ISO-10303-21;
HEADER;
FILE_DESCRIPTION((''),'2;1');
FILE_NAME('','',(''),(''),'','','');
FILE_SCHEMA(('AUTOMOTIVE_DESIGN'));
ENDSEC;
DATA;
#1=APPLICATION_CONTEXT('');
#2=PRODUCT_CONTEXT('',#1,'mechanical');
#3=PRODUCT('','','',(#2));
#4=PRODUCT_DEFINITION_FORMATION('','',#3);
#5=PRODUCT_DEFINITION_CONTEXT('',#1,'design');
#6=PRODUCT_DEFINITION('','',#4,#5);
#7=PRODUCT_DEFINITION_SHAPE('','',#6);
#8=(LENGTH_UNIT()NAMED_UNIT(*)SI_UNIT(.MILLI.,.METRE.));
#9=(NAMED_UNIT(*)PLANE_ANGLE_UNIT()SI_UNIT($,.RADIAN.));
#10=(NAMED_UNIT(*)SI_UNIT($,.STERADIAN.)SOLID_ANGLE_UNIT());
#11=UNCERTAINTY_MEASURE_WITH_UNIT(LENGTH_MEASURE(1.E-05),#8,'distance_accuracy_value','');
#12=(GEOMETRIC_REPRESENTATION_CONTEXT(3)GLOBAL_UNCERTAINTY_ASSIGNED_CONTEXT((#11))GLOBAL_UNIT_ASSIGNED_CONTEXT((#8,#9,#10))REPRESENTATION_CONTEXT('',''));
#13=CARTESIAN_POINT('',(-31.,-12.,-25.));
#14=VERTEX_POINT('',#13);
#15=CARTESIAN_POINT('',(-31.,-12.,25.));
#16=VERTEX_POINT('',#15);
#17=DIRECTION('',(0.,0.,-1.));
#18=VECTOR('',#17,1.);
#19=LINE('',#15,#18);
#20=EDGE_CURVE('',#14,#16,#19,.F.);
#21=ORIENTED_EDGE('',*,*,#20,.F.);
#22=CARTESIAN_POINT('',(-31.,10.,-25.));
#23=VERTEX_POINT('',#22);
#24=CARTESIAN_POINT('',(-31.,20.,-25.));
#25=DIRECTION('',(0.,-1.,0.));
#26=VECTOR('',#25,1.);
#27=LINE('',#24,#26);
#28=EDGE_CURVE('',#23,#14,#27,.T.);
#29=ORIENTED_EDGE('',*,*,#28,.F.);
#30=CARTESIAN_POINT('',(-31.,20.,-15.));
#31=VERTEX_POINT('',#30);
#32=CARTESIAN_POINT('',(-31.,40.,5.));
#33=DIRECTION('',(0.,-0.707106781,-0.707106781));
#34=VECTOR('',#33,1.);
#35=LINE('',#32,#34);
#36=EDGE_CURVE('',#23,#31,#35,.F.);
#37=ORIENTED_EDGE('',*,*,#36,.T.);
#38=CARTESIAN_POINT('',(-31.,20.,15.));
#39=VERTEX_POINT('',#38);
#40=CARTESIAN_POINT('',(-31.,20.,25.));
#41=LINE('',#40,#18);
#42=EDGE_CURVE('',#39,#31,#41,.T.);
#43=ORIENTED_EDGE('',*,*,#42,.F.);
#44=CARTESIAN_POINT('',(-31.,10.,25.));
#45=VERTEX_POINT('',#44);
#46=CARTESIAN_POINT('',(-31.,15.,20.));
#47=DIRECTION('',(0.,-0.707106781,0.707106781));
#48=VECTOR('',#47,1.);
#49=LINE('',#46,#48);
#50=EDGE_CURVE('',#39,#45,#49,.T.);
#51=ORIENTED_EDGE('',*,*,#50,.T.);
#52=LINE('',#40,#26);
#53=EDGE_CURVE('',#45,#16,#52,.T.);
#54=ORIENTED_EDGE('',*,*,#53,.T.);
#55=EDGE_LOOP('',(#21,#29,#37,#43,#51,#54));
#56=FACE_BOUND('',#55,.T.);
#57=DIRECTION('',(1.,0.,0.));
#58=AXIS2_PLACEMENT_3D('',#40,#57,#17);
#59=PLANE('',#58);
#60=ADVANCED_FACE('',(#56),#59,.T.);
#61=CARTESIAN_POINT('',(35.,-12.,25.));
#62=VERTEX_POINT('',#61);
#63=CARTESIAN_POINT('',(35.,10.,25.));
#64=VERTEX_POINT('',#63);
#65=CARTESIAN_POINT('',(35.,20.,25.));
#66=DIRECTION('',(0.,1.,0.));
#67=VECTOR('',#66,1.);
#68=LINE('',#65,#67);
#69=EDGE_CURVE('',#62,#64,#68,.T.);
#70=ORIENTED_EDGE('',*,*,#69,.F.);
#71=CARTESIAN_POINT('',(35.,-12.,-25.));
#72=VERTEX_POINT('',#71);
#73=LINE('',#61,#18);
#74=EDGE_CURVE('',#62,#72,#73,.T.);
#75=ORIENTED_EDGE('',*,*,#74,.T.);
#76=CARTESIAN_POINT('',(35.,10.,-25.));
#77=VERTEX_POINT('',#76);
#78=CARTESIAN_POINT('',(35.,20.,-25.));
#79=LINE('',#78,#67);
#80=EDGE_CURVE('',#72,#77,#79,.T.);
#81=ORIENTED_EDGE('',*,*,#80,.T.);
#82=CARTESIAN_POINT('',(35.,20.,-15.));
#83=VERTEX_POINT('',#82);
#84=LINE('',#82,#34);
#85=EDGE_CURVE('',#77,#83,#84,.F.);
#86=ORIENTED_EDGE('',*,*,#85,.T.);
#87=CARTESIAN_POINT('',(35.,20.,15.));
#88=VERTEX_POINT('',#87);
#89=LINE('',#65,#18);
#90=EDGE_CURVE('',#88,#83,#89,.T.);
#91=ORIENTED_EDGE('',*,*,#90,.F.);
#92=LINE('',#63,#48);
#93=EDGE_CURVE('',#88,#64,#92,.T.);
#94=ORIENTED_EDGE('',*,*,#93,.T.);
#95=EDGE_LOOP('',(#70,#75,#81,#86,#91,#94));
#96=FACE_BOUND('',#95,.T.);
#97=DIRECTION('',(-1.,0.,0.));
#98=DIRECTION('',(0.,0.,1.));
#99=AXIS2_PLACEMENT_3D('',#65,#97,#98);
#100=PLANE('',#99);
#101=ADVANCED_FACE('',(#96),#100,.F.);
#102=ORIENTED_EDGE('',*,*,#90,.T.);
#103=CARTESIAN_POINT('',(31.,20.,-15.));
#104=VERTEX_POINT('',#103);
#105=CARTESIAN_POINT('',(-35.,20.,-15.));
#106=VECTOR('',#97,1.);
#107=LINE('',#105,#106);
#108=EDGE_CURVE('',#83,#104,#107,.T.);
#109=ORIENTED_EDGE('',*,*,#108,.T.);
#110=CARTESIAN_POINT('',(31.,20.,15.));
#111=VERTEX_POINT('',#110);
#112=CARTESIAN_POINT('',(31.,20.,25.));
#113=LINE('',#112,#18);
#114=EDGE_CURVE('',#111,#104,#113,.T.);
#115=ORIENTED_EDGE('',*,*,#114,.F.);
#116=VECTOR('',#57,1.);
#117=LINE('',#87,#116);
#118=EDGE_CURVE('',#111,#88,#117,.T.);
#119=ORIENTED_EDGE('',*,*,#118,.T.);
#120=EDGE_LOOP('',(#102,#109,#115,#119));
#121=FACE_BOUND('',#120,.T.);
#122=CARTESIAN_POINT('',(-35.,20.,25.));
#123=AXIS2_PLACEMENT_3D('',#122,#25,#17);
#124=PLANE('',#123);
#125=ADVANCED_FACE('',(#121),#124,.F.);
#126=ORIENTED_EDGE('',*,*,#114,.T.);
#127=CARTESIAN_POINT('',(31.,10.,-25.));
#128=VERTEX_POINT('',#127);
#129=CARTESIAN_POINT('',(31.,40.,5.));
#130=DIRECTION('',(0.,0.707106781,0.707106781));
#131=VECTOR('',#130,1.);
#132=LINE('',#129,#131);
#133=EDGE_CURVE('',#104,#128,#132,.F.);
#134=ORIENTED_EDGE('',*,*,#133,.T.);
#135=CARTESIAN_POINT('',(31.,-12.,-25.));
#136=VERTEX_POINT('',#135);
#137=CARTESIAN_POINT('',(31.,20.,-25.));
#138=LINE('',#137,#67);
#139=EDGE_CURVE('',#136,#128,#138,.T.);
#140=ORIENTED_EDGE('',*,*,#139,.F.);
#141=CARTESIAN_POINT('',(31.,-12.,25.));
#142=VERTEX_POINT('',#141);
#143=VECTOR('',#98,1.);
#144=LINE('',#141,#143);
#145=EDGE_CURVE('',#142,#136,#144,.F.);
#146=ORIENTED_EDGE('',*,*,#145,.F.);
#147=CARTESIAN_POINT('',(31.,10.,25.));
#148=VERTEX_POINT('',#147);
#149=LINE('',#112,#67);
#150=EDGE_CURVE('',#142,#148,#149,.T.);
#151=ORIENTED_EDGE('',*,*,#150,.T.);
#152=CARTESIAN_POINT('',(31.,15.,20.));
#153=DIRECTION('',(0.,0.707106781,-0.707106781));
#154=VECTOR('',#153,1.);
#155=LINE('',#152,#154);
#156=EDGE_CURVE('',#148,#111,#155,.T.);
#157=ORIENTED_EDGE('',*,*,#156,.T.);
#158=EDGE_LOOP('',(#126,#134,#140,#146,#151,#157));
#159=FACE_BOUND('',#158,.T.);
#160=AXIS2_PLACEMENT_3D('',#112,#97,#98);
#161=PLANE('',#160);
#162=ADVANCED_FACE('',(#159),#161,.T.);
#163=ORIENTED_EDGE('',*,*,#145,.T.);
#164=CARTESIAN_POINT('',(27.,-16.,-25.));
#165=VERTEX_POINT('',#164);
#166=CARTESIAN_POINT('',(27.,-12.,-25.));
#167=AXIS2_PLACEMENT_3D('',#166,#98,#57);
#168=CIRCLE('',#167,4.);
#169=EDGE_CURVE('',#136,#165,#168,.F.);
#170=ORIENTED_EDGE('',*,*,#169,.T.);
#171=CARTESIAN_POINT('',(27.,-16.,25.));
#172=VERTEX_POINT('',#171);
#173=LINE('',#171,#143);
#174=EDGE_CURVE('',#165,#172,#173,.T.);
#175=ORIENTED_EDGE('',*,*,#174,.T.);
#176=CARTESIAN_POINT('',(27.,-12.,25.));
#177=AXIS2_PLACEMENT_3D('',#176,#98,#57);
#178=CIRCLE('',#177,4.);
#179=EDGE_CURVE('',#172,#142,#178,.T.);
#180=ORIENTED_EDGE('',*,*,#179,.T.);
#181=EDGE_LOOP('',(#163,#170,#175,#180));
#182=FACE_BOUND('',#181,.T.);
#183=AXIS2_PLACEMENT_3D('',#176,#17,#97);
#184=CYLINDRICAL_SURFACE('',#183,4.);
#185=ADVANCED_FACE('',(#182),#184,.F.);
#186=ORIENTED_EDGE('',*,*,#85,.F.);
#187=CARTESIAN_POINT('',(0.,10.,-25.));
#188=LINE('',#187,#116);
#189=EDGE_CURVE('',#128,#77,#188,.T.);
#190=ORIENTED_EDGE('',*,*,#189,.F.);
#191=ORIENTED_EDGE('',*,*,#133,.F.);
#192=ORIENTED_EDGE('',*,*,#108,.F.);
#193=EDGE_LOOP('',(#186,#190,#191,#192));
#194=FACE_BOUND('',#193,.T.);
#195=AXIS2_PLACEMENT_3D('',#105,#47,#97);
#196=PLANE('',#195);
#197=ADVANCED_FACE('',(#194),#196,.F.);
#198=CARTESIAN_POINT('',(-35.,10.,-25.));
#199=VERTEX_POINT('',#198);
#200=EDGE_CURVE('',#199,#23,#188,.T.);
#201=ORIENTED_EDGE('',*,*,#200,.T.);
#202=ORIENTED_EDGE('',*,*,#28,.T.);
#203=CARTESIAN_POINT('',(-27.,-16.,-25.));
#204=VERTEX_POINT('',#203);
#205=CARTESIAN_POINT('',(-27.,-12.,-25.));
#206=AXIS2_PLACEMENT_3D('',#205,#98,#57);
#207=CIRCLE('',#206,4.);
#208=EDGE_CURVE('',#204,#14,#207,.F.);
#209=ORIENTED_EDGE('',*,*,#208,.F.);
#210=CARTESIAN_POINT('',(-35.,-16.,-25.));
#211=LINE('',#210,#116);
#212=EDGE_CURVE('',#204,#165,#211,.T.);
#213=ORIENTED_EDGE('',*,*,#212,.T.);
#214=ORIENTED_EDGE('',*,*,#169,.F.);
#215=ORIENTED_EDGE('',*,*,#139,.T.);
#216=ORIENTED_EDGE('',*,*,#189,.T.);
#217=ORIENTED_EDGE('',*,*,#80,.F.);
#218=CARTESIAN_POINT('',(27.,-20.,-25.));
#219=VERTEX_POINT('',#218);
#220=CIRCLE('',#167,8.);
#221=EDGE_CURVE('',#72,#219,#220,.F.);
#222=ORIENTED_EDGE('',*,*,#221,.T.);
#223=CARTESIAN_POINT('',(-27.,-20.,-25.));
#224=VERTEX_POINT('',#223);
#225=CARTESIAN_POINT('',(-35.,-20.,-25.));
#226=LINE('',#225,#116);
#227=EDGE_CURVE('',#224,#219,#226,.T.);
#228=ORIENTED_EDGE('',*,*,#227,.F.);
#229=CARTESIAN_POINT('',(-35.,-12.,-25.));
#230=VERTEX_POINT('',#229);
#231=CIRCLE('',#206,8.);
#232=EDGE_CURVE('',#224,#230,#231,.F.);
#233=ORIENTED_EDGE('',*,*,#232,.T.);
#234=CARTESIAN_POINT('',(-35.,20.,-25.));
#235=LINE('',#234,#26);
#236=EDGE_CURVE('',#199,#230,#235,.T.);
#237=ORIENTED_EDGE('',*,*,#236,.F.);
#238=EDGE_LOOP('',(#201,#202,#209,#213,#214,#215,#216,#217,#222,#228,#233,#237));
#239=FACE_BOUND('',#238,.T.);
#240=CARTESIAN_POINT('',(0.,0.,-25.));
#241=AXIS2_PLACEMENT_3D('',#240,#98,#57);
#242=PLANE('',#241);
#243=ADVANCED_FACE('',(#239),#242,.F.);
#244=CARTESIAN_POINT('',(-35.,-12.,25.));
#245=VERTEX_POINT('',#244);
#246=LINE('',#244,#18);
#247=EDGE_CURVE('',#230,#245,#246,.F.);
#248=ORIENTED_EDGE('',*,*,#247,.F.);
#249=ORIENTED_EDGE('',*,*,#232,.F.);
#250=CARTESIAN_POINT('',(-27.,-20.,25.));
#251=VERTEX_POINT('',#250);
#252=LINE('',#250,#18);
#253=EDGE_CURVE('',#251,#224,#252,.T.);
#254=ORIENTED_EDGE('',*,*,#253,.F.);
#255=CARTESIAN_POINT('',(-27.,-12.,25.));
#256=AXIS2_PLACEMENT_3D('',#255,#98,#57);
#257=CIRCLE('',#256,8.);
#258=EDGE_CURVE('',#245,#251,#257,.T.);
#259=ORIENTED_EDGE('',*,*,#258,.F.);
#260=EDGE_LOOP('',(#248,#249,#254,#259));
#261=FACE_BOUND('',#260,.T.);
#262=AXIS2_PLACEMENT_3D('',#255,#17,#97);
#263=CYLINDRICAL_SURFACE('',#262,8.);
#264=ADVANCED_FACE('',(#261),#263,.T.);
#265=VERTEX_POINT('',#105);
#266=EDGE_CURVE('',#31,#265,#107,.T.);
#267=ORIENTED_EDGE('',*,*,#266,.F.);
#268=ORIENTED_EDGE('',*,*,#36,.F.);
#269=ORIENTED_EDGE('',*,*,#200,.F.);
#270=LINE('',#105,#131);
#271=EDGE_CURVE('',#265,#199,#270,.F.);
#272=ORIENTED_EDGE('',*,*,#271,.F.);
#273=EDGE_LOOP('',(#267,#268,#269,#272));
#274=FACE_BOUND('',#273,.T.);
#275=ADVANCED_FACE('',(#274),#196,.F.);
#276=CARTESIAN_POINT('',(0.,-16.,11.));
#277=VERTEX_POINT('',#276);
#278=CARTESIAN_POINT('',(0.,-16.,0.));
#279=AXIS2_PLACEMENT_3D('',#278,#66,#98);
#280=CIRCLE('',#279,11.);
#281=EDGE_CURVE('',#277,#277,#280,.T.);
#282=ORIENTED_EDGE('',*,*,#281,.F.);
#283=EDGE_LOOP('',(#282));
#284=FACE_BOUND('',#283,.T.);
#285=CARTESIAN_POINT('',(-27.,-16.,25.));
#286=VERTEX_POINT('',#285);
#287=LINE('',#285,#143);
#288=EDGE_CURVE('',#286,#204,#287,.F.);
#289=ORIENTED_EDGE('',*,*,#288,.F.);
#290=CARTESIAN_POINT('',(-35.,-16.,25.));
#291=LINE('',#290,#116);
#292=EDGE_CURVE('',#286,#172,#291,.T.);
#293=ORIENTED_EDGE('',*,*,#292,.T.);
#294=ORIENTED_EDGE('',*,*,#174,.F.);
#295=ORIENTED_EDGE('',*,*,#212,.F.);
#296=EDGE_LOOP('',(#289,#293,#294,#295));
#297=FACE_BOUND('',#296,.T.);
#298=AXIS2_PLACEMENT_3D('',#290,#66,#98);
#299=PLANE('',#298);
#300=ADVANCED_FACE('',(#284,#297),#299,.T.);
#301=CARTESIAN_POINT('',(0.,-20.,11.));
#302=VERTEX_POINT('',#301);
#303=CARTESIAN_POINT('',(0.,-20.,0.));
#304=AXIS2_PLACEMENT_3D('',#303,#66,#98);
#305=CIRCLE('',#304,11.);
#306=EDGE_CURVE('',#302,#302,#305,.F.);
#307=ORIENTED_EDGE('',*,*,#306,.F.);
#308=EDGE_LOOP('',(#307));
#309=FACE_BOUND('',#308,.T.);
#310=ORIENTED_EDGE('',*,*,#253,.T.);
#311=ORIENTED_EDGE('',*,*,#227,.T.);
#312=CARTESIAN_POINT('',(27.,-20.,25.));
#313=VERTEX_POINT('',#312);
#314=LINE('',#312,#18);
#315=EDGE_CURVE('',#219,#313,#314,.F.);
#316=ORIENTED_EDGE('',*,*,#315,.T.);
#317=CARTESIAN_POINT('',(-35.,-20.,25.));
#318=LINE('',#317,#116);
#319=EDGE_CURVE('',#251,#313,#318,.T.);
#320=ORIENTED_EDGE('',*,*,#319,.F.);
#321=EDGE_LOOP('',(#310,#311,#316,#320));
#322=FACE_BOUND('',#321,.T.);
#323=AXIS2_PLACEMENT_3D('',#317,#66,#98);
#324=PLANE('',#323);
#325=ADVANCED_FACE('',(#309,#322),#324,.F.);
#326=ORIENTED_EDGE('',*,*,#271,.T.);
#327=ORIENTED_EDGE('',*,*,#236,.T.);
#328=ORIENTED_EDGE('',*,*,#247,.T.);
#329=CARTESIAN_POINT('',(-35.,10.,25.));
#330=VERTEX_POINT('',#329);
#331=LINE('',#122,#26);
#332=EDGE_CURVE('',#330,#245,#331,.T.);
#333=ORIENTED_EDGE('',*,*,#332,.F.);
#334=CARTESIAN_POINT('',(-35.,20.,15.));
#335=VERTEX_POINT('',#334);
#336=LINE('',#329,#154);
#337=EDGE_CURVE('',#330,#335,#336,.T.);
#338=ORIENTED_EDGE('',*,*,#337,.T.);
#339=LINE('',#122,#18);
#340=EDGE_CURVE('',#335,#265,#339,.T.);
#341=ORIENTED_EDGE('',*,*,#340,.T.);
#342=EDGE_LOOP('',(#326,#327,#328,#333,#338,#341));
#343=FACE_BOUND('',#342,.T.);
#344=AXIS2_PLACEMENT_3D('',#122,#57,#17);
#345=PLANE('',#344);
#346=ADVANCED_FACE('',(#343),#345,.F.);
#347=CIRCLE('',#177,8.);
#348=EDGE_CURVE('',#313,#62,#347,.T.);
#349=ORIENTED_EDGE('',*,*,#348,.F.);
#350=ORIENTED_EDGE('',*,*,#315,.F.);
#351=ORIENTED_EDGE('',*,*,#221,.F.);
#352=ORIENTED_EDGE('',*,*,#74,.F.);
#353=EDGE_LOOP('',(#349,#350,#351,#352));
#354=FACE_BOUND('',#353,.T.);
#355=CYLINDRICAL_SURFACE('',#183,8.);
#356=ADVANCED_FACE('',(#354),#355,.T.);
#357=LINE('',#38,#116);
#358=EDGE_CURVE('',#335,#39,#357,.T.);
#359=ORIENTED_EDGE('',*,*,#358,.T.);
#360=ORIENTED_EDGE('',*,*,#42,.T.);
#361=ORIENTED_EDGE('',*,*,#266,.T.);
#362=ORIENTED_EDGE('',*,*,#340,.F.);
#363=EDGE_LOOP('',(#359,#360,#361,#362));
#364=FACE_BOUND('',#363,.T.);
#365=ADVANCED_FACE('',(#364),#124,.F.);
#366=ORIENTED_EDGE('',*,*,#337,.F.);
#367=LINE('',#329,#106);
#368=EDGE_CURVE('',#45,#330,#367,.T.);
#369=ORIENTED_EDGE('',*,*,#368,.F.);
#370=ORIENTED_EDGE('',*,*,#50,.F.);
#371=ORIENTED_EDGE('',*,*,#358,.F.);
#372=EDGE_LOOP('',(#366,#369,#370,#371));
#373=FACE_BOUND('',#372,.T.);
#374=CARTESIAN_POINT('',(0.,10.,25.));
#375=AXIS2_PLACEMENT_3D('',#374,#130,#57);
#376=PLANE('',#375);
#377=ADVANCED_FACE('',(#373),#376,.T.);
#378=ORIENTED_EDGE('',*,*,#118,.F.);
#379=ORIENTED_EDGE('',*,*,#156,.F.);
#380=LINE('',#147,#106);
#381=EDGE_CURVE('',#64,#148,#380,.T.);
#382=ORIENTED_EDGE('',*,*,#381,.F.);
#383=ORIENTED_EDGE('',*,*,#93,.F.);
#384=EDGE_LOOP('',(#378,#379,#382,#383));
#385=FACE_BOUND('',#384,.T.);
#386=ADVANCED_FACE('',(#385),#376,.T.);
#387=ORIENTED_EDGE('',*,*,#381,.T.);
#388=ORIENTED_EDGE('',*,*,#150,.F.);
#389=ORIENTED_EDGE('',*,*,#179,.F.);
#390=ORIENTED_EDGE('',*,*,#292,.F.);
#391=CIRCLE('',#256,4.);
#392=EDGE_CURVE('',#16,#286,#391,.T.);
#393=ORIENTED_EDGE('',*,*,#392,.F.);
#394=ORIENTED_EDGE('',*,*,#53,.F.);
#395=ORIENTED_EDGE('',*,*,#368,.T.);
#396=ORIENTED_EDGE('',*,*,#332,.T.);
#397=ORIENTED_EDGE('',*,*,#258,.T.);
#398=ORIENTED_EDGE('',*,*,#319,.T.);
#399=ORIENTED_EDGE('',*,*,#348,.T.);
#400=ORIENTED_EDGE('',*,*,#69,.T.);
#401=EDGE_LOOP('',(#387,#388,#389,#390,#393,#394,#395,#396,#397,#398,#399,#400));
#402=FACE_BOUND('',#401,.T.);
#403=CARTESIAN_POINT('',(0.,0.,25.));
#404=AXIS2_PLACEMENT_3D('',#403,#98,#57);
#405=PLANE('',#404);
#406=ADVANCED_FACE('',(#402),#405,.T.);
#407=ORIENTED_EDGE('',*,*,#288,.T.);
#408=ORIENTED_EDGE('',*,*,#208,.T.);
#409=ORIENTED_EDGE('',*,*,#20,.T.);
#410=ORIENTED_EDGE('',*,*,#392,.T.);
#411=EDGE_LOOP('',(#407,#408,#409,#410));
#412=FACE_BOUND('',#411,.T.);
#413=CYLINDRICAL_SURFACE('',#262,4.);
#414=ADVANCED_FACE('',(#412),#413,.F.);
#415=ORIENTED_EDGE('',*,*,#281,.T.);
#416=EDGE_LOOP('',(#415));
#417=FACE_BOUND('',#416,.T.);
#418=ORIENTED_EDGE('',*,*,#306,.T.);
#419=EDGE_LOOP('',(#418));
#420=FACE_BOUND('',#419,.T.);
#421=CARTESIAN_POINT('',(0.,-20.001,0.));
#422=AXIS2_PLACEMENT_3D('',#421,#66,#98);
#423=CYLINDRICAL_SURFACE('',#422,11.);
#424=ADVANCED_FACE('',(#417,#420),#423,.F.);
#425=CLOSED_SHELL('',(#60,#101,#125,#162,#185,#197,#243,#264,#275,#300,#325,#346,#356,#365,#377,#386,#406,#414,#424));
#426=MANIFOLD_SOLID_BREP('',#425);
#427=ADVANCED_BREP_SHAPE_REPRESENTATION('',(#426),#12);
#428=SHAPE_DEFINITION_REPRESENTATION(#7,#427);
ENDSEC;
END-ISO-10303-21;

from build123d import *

# Parameters (mm, degrees)
SKETCH1_W           = 70
SKETCH1_H           = 40
BOSS_EXTRUDE1_DEPTH = 25
FILLET1_R           = 8
SHELL1_T            = -4
CHAMFER1_SIZE       = 10
CUT_EXTRUDE1_REACH  = 58.089
SKETCH2_R           = 11


with BuildPart() as part:
    # Sketch1 → Boss-Extrude1 (new, symmetric)
    with BuildSketch(Plane.XY):
        Rectangle(SKETCH1_W, SKETCH1_H)
    extrude(amount=BOSS_EXTRUDE1_DEPTH, both=True)

    # Fillet1
    fillet1_edges = [part.edges().sort_by_distance(p)[0] for p in [
        (35, -20, 0),
        (-35, -20, 0),
    ]]
    fillet(fillet1_edges, radius=FILLET1_R)

    # Shell1
    shell1_openings = [part.faces().sort_by_distance(p)[0] for p in [
        (0, 0.180447069, 25),
        (0, 0.180447069, -25),
        (0, 20, 0),
    ]]
    offset(amount=SHELL1_T, openings=shell1_openings, kind=Kind.INTERSECTION)

    # Chamfer1
    chamfer1_edges = [part.edges().sort_by_distance(p)[0] for p in [
        (-33, 20, -25),
        (-33, 20, 25),
        (33, 20, -25),
        (33, 20, 25),
    ]]
    chamfer(chamfer1_edges, length=CHAMFER1_SIZE)

    # Sketch2 → Cut-Extrude1 (cut, up to next)
    with BuildSketch(Plane(origin=(0, -16, 0), x_dir=(1, 0, 0), z_dir=(0, 1, 0)), mode=Mode.PRIVATE) as cut_extrude1_sk1:
        with Locations(Location((0, 0, 0), (0, 0, 270))):
            Circle(SKETCH2_R)
    cut_extrude1_tool1 = extrude(cut_extrude1_sk1.sketch, amount=-CUT_EXTRUDE1_REACH, mode=Mode.PRIVATE) & part.part
    add(cut_extrude1_tool1.solids().sort_by_distance((0, -16, 0))[0], mode=Mode.SUBTRACT)


solid = part.part
